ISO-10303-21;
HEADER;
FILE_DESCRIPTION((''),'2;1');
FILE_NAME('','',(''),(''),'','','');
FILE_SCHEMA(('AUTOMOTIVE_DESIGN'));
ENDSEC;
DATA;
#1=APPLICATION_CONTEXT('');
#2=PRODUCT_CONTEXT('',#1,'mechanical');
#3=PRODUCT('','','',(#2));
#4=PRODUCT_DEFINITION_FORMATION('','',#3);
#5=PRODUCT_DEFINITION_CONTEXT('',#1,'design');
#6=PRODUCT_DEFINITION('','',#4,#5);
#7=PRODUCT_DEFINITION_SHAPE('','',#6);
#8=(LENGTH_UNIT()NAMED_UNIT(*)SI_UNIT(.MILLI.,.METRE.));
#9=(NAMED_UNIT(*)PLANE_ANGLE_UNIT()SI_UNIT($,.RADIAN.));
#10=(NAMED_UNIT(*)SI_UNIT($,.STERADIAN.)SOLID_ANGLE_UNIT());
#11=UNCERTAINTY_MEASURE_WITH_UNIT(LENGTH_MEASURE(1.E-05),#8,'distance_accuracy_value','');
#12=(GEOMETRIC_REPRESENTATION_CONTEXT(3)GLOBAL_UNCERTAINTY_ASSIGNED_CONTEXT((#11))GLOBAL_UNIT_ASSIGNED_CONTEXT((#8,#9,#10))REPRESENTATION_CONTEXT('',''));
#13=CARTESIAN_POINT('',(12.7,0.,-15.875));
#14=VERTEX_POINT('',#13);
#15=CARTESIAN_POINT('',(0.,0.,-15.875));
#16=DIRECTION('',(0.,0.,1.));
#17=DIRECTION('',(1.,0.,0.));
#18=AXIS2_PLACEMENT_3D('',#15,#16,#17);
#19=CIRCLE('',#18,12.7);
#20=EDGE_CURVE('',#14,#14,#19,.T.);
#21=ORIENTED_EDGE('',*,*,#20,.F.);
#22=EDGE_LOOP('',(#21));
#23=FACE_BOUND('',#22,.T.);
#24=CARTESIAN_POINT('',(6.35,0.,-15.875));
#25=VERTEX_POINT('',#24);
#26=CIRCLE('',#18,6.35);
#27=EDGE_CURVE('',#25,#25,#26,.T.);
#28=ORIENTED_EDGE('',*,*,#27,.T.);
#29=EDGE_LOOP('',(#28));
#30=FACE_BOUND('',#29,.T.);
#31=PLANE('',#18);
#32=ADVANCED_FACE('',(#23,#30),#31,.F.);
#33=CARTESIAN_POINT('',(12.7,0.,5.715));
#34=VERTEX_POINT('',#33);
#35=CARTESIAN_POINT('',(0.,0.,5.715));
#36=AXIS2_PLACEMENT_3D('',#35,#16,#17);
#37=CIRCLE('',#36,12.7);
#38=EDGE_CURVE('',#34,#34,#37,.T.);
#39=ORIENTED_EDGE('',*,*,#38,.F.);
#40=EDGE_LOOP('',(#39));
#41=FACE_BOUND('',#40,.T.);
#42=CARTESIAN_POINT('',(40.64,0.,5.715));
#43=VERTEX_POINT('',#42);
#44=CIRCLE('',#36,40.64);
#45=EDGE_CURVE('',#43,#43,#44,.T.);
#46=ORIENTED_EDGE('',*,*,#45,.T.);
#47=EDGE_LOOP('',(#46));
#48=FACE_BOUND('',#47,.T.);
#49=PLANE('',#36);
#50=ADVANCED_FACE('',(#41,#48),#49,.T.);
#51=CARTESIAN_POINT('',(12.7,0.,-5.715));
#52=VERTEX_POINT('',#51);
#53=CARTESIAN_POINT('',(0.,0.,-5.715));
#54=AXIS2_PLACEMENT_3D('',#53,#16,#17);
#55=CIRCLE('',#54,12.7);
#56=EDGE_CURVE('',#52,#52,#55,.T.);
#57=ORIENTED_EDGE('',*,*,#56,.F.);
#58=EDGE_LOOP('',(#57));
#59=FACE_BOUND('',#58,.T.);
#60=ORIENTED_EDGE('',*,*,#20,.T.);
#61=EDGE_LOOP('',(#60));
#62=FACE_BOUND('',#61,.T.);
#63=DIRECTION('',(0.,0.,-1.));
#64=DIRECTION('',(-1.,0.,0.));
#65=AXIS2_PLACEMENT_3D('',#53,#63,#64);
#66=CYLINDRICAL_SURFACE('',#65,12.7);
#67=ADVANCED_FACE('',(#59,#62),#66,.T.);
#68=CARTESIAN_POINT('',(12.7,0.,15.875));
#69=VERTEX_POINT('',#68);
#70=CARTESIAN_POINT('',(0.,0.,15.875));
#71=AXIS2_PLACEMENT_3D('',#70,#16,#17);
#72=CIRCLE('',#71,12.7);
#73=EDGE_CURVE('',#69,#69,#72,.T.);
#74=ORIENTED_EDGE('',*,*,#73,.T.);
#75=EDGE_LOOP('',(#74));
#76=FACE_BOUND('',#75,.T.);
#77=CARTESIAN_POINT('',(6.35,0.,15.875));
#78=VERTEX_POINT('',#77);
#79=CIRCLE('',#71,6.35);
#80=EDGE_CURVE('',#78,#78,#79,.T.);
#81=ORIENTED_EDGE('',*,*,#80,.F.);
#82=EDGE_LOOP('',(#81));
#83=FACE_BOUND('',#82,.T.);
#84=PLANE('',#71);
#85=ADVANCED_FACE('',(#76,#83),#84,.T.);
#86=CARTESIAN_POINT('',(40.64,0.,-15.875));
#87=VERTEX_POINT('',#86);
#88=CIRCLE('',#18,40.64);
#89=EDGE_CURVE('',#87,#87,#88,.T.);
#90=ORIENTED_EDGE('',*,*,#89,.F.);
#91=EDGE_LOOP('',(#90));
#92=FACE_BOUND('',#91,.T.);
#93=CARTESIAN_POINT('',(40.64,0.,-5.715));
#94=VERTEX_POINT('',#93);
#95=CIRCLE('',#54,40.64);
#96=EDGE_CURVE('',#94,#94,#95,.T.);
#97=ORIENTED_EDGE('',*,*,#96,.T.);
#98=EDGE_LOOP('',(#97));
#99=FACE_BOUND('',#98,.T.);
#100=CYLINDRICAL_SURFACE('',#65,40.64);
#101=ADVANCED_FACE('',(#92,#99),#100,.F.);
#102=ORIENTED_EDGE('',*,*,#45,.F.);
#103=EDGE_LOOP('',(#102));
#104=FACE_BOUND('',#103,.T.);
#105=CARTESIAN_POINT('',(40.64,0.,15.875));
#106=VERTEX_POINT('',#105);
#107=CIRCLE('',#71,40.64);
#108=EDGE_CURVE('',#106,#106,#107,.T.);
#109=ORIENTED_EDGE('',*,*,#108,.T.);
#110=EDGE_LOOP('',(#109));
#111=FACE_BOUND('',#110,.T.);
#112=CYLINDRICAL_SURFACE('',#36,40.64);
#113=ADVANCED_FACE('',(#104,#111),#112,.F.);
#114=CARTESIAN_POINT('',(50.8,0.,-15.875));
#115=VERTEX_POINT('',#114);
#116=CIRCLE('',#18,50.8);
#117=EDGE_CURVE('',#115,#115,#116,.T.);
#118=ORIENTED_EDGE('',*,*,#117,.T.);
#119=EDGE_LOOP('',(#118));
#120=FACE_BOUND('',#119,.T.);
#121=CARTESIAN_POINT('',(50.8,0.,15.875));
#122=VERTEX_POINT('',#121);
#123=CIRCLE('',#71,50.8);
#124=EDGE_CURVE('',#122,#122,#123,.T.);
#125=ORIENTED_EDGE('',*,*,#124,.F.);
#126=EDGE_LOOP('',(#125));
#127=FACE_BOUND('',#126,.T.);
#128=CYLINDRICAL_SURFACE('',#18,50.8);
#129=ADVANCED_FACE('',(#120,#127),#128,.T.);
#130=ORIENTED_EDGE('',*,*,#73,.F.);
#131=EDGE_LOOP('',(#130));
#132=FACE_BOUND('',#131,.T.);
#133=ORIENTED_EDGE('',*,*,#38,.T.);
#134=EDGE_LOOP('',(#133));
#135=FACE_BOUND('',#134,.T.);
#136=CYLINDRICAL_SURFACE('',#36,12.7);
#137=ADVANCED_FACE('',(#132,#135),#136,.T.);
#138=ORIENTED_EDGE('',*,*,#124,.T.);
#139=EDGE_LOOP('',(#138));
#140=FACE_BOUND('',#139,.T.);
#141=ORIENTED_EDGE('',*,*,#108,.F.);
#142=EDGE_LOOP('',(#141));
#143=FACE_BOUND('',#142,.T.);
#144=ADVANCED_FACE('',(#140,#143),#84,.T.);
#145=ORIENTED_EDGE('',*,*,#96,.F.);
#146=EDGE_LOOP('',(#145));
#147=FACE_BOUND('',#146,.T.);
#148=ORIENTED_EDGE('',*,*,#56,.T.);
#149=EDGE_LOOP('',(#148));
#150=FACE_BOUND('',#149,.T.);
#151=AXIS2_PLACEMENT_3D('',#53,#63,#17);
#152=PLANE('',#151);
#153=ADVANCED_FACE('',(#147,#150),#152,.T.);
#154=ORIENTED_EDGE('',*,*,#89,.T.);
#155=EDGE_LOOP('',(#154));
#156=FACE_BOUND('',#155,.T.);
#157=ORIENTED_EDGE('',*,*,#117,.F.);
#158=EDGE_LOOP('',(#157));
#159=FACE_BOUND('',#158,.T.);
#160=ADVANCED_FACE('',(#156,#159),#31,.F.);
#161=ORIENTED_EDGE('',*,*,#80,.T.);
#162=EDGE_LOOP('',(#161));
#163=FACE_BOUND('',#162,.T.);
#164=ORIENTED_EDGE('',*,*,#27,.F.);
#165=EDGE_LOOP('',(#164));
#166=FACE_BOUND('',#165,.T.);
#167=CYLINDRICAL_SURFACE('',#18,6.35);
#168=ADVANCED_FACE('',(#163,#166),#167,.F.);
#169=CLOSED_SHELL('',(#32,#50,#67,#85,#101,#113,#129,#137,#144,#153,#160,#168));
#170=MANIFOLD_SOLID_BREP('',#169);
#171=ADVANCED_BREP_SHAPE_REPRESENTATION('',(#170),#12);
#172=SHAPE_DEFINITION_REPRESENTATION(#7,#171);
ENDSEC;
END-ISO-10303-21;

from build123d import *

# Parameters (mm, degrees)
SKETCH1_R           = 50.8
SKETCH1_R_2         = 6.35
BOSS_EXTRUDE1_DEPTH = 15.875
SKETCH2_R           = 40.64
SKETCH2_R_2         = 12.7
CUT_EXTRUDE1_DEPTH  = 10.16


with BuildPart() as part:
    # Sketch1 → Boss-Extrude1 (new, symmetric)
    with BuildSketch(Plane.XY):
        Circle(SKETCH1_R)
        Circle(SKETCH1_R_2, mode=Mode.SUBTRACT)
    extrude(amount=BOSS_EXTRUDE1_DEPTH, both=True)

    # Sketch2 → Cut-Extrude1 (cut)
    with BuildSketch(Plane.XY.offset(15.875)):
        Circle(SKETCH2_R)
        Circle(SKETCH2_R_2, mode=Mode.SUBTRACT)
    cut_extrude1 = extrude(amount=-CUT_EXTRUDE1_DEPTH, mode=Mode.SUBTRACT)

    # Mirror1: Cut-Extrude1 across plane
    add(cut_extrude1.mirror(Plane.XY), mode=Mode.SUBTRACT)


solid = part.part
